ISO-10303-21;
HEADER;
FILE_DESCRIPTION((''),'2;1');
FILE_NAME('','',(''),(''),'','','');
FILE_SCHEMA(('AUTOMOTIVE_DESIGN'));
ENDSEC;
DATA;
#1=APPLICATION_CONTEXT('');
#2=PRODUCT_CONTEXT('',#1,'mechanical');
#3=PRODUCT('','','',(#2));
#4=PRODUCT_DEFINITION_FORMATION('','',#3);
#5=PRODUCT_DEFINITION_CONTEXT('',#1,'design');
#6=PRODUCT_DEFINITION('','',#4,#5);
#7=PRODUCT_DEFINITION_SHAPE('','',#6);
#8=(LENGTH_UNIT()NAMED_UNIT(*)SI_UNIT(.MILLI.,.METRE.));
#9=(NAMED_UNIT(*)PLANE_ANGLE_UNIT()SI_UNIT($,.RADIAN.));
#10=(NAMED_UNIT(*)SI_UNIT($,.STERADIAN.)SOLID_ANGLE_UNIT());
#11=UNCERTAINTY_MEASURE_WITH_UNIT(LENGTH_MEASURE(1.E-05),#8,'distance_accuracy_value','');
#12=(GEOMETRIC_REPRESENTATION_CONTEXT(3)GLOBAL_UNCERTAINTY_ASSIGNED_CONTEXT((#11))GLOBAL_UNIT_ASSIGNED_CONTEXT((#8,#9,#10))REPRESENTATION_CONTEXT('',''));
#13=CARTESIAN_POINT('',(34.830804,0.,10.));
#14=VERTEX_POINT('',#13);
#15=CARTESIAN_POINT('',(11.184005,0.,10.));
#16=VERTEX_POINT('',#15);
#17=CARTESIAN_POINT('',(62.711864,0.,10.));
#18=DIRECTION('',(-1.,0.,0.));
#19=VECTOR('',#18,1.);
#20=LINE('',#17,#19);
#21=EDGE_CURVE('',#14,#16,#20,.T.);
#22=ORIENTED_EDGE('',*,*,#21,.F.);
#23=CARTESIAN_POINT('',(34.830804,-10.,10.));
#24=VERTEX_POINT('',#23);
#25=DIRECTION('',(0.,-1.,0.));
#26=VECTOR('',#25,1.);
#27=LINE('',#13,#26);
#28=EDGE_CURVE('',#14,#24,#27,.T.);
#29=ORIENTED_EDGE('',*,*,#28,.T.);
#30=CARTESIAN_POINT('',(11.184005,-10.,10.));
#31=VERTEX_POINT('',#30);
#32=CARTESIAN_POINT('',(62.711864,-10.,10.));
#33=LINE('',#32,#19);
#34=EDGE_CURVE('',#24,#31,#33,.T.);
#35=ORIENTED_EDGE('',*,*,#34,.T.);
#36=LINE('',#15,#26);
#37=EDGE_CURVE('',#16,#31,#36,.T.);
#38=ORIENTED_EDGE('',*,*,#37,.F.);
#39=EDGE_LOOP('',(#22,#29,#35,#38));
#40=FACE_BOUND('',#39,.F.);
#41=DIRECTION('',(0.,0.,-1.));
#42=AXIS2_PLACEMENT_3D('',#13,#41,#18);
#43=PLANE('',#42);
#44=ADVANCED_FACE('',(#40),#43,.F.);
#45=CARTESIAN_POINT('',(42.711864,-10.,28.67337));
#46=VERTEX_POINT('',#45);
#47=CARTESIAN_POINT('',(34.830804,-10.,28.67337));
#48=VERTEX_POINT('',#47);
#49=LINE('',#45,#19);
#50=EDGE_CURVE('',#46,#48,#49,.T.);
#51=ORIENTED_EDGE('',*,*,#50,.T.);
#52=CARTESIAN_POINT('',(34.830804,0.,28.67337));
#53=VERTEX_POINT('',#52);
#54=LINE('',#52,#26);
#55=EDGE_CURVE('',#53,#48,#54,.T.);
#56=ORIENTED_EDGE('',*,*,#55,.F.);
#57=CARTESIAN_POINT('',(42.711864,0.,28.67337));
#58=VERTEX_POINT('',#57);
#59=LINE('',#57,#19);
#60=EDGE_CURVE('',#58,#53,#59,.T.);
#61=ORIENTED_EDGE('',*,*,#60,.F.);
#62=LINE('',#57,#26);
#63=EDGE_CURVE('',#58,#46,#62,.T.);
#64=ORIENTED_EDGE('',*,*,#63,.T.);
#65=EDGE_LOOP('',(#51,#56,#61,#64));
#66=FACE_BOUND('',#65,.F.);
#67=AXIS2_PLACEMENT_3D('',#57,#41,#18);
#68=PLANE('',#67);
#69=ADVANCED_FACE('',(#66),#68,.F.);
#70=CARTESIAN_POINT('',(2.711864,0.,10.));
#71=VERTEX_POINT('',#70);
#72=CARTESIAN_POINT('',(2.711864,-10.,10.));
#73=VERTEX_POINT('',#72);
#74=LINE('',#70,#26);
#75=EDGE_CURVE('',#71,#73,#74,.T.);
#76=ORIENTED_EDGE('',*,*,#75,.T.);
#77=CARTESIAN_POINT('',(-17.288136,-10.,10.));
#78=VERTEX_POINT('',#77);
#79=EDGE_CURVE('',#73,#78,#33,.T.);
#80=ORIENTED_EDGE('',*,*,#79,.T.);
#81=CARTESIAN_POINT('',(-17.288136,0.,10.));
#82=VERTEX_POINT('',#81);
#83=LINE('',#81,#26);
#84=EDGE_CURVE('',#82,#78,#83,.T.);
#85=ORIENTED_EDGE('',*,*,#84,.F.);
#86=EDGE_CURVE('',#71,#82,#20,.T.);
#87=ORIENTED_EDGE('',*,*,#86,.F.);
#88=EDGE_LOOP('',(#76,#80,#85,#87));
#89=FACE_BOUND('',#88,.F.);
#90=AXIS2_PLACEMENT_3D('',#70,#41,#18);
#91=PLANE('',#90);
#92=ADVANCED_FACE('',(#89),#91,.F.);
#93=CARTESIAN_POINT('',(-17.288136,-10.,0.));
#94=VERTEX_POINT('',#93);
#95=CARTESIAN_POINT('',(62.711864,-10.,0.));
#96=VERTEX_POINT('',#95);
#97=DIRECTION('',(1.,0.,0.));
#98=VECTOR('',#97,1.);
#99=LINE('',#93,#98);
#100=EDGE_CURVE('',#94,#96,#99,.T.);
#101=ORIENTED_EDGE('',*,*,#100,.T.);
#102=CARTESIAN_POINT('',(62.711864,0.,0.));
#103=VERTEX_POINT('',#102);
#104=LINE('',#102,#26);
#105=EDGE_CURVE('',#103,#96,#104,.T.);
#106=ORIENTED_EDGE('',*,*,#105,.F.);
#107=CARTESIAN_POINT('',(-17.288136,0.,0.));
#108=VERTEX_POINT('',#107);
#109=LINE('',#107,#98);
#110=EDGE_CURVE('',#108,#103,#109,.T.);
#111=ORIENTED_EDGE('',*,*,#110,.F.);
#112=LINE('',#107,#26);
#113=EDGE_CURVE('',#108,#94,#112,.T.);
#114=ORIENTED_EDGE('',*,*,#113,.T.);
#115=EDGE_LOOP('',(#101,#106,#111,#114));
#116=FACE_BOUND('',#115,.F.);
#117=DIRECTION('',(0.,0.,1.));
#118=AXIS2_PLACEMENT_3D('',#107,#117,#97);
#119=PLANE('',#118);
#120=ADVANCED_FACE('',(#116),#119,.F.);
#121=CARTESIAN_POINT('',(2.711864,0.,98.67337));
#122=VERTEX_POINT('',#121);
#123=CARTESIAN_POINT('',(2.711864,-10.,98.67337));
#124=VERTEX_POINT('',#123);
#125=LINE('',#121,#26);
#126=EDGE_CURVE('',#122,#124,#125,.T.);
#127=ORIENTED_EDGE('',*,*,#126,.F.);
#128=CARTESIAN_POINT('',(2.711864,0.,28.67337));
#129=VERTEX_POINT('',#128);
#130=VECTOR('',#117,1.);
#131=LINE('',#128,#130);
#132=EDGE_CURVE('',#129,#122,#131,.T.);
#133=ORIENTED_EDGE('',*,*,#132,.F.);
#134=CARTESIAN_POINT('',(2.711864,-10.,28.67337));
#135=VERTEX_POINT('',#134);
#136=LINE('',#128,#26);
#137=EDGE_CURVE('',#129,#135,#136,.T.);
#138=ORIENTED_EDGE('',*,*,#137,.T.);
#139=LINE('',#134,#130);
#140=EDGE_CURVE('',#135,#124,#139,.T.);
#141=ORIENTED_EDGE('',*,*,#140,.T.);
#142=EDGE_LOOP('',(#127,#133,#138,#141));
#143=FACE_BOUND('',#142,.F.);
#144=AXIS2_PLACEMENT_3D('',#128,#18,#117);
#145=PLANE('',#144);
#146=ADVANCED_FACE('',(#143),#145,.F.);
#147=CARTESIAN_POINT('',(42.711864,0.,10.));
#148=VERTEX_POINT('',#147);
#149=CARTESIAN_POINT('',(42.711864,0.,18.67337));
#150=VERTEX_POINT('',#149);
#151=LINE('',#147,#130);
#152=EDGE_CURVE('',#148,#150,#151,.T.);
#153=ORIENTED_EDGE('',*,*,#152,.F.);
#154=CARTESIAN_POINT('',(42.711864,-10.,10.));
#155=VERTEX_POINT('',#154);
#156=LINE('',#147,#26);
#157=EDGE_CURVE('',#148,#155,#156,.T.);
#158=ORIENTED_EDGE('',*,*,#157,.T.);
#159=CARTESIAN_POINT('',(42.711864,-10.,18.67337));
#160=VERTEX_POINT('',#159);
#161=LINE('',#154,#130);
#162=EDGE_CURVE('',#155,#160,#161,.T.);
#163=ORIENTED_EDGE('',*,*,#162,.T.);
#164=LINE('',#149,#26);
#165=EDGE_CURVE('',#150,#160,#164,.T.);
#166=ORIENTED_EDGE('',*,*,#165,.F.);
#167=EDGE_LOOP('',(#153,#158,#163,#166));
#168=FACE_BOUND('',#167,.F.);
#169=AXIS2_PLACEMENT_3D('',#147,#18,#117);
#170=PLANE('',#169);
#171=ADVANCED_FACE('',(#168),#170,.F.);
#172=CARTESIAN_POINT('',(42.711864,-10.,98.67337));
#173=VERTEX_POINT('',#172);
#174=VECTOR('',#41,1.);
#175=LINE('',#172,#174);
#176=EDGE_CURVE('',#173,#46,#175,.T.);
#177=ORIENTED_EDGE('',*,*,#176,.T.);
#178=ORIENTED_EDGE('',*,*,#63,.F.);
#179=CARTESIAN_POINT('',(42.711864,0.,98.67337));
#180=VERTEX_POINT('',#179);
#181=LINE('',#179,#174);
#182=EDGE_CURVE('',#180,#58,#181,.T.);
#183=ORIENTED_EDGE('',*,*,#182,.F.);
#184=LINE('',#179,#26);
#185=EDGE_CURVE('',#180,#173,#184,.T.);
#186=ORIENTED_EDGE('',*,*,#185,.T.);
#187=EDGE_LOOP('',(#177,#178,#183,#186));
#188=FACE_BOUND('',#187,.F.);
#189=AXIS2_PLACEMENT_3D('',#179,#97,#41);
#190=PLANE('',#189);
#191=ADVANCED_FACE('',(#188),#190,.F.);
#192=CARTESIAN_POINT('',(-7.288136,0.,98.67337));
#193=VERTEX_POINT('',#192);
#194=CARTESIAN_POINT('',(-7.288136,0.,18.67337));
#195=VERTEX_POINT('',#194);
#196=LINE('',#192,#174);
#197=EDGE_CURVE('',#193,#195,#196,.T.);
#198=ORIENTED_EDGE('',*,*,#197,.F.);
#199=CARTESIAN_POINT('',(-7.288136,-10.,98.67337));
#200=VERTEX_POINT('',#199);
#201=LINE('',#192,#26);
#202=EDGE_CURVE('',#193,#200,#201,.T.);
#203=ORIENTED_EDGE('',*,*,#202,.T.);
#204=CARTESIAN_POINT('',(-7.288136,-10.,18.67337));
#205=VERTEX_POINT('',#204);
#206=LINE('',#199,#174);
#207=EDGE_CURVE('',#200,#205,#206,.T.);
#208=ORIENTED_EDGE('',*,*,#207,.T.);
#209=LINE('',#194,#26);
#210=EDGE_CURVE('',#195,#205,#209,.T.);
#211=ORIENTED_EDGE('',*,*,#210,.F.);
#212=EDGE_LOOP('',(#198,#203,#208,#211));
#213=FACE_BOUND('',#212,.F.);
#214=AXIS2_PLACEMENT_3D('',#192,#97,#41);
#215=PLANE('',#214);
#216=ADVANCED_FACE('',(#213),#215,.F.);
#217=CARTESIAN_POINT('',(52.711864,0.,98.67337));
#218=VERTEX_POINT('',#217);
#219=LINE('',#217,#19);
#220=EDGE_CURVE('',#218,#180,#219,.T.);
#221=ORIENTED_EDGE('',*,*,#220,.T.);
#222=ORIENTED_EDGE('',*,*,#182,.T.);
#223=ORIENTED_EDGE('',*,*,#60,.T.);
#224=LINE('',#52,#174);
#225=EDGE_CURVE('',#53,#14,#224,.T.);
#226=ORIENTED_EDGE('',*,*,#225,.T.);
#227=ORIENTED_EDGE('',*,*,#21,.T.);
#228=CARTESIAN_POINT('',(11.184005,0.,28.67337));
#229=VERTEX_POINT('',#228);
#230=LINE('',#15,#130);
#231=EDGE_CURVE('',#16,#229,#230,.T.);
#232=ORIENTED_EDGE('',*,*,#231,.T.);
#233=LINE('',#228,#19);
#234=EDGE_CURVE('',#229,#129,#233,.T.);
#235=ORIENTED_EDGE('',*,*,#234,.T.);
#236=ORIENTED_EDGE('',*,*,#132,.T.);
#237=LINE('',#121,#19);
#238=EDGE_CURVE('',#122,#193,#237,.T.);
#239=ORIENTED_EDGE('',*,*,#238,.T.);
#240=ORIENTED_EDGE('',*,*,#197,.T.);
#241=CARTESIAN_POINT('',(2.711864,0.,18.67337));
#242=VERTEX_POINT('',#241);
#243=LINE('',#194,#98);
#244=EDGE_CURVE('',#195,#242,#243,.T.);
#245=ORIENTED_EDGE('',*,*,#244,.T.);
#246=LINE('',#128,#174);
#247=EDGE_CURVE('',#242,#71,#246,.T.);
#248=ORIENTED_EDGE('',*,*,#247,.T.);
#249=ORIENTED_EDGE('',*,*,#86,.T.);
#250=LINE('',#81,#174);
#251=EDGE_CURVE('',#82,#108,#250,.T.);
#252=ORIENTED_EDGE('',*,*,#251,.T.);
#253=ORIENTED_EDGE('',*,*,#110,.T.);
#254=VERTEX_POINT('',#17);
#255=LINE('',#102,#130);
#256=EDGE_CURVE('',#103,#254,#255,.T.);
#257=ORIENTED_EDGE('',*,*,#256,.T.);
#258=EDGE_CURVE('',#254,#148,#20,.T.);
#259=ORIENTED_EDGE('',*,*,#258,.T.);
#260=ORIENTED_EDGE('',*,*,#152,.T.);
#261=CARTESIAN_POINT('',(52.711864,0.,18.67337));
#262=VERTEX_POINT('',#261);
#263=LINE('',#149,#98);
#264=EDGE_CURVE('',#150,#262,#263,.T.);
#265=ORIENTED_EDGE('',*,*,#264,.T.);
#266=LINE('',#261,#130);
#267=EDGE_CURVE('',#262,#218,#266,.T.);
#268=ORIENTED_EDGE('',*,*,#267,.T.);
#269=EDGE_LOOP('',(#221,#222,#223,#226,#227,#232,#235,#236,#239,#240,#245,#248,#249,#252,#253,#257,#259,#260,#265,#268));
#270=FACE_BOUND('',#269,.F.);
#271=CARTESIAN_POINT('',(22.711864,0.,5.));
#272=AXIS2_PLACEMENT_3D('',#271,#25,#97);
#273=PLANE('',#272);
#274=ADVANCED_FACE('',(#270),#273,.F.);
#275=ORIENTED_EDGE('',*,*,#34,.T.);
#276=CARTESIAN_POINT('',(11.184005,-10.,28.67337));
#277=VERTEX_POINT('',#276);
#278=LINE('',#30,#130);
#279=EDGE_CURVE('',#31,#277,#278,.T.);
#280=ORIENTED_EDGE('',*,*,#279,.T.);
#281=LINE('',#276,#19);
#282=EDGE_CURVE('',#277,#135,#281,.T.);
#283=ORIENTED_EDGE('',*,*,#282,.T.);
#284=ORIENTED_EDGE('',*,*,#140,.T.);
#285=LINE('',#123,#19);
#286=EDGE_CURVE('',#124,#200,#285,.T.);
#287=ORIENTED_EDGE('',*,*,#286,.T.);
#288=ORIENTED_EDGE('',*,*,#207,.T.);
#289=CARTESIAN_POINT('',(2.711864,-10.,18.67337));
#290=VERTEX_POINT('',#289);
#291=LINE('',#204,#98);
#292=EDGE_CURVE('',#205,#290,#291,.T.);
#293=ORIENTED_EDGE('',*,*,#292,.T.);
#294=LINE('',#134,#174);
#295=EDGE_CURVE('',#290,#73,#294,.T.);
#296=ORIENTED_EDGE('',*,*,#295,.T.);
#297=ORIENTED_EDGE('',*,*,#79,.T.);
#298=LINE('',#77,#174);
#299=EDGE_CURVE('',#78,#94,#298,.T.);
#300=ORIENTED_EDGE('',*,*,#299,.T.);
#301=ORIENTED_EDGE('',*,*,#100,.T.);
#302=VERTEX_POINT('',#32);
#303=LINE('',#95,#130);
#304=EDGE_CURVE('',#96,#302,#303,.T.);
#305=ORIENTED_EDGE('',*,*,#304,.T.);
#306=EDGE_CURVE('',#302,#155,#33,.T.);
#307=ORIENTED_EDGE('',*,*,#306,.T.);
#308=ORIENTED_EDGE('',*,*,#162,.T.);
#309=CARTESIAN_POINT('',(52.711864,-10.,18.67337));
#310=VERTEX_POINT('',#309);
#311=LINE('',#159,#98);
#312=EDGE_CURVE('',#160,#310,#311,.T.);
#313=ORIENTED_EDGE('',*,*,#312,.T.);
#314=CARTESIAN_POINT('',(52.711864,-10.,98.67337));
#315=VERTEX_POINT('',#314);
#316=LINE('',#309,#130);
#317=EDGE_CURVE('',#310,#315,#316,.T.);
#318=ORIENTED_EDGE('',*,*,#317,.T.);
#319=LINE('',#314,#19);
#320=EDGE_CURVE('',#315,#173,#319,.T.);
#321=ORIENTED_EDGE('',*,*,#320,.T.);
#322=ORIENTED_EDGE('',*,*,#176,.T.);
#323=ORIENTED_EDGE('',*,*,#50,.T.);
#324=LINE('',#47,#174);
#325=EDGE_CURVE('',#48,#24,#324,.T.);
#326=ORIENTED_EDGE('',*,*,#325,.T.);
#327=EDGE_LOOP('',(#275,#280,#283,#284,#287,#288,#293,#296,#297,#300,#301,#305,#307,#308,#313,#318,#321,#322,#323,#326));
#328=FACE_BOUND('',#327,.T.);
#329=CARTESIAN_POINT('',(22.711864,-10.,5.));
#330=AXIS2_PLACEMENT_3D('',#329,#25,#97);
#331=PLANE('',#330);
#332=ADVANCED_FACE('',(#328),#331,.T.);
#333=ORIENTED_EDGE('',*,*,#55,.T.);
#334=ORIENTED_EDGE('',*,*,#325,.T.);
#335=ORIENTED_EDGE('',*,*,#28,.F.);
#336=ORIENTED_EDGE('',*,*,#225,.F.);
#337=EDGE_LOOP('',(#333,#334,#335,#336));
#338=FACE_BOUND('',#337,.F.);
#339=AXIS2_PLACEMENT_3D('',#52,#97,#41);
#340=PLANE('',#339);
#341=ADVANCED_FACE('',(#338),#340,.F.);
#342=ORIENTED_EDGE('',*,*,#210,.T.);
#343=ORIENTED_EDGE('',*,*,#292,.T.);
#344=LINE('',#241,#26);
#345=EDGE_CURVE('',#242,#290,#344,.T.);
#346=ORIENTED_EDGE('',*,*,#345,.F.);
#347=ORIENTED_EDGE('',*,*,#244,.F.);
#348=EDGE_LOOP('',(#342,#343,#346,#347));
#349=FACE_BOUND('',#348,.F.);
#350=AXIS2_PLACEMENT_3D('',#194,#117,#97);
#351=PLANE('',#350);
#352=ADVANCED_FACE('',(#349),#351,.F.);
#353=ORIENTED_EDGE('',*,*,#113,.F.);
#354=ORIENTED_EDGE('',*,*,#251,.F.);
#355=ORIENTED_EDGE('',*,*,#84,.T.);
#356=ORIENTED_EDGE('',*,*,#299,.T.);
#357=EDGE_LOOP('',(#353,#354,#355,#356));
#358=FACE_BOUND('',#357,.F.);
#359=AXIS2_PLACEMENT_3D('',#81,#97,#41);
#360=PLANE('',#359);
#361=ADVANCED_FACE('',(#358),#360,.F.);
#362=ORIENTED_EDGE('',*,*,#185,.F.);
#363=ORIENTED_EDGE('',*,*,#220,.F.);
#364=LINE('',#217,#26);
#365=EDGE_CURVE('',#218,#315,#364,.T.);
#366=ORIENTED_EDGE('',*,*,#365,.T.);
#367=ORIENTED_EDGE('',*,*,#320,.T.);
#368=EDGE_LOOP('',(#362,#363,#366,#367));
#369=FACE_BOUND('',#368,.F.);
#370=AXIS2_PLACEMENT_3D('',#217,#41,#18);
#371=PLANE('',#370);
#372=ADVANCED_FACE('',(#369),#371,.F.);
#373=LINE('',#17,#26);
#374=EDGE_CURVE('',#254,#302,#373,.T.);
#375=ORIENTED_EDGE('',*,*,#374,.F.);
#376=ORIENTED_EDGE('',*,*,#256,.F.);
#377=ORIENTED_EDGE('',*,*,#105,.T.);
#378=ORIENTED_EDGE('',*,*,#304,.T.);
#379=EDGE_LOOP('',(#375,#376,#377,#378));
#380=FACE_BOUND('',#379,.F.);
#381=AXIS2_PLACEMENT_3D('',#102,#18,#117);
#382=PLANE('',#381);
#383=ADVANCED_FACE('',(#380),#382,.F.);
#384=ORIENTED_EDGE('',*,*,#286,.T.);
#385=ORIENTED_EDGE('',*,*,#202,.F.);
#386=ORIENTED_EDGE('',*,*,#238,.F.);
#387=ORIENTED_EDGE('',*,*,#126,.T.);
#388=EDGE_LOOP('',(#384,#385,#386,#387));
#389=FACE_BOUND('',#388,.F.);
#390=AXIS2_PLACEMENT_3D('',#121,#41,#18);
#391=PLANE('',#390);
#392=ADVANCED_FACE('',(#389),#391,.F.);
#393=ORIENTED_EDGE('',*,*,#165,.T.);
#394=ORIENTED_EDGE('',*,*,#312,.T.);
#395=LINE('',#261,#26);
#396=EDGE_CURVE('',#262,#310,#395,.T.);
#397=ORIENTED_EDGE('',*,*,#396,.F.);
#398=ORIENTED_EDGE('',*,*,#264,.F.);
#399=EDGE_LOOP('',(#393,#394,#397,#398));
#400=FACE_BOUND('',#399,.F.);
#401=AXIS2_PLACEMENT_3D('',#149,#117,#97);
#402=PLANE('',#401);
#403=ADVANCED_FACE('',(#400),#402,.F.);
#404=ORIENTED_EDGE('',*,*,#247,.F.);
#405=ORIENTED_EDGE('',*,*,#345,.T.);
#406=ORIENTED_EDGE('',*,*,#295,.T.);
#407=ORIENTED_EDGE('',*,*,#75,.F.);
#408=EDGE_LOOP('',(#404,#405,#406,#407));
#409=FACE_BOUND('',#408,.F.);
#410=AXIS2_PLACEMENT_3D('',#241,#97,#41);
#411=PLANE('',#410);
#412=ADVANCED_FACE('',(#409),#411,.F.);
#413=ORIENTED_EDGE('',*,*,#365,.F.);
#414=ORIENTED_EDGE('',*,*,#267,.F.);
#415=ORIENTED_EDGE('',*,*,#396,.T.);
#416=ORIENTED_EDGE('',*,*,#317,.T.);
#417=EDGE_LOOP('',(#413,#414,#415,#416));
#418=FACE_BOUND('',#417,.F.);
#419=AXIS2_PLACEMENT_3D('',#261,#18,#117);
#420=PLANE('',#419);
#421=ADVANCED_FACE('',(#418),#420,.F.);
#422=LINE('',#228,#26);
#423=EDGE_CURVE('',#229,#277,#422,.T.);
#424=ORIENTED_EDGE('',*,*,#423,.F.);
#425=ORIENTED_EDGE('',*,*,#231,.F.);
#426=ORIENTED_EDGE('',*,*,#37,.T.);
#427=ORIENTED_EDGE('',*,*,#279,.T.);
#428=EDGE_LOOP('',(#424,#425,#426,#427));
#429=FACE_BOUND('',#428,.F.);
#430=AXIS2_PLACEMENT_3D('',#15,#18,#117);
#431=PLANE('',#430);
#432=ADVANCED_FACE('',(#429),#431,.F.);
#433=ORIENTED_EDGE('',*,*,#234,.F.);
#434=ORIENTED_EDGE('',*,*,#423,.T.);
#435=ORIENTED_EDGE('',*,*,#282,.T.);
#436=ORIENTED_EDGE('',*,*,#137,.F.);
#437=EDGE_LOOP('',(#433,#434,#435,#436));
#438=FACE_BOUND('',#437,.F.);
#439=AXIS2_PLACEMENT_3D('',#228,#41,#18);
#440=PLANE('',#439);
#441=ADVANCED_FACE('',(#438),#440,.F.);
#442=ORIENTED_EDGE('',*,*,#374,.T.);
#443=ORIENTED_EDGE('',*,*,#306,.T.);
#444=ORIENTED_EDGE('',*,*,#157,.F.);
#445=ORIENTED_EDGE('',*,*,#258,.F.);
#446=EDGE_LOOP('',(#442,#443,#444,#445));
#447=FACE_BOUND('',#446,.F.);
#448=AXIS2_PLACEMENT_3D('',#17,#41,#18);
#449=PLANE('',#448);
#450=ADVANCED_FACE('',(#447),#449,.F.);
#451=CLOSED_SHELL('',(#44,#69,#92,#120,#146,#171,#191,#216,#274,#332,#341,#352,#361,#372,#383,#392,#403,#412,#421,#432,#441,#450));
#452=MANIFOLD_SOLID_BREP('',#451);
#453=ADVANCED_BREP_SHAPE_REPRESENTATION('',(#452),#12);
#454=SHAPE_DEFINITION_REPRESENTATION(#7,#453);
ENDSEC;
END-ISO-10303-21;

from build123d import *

# Parameters (mm, degrees)
F1_DEPTH = 10


with BuildPart() as f1:
    # F0 (on Front) → F1 (new body)
    with BuildSketch(Plane.XZ):
        Polygon((-17.288136, 10), (-17.288136, 0), (62.711864, 0), (62.711864, 10), (42.711864, 10), (34.830804, 10), (11.184005, 10), (2.711864, 10), align=None)
        Polygon((2.711864, 18.67337), (2.711864, 10), (11.184005, 10), (11.184005, 28.67337), (2.711864, 28.67337), align=None)
        Polygon((34.830804, 10), (42.711864, 10), (42.711864, 18.67337), (42.711864, 28.67337), (34.830804, 28.67337), align=None)
        Polygon((-7.288136, 18.67337), (2.711864, 18.67337), (2.711864, 28.67337), (2.711864, 98.67337), (-7.288136, 98.67337), align=None)
        Polygon((42.711864, 28.67337), (42.711864, 18.67337), (52.711864, 18.67337), (52.711864, 98.67337), (42.711864, 98.67337), align=None)
    extrude(amount=F1_DEPTH)


solid = f1.part
